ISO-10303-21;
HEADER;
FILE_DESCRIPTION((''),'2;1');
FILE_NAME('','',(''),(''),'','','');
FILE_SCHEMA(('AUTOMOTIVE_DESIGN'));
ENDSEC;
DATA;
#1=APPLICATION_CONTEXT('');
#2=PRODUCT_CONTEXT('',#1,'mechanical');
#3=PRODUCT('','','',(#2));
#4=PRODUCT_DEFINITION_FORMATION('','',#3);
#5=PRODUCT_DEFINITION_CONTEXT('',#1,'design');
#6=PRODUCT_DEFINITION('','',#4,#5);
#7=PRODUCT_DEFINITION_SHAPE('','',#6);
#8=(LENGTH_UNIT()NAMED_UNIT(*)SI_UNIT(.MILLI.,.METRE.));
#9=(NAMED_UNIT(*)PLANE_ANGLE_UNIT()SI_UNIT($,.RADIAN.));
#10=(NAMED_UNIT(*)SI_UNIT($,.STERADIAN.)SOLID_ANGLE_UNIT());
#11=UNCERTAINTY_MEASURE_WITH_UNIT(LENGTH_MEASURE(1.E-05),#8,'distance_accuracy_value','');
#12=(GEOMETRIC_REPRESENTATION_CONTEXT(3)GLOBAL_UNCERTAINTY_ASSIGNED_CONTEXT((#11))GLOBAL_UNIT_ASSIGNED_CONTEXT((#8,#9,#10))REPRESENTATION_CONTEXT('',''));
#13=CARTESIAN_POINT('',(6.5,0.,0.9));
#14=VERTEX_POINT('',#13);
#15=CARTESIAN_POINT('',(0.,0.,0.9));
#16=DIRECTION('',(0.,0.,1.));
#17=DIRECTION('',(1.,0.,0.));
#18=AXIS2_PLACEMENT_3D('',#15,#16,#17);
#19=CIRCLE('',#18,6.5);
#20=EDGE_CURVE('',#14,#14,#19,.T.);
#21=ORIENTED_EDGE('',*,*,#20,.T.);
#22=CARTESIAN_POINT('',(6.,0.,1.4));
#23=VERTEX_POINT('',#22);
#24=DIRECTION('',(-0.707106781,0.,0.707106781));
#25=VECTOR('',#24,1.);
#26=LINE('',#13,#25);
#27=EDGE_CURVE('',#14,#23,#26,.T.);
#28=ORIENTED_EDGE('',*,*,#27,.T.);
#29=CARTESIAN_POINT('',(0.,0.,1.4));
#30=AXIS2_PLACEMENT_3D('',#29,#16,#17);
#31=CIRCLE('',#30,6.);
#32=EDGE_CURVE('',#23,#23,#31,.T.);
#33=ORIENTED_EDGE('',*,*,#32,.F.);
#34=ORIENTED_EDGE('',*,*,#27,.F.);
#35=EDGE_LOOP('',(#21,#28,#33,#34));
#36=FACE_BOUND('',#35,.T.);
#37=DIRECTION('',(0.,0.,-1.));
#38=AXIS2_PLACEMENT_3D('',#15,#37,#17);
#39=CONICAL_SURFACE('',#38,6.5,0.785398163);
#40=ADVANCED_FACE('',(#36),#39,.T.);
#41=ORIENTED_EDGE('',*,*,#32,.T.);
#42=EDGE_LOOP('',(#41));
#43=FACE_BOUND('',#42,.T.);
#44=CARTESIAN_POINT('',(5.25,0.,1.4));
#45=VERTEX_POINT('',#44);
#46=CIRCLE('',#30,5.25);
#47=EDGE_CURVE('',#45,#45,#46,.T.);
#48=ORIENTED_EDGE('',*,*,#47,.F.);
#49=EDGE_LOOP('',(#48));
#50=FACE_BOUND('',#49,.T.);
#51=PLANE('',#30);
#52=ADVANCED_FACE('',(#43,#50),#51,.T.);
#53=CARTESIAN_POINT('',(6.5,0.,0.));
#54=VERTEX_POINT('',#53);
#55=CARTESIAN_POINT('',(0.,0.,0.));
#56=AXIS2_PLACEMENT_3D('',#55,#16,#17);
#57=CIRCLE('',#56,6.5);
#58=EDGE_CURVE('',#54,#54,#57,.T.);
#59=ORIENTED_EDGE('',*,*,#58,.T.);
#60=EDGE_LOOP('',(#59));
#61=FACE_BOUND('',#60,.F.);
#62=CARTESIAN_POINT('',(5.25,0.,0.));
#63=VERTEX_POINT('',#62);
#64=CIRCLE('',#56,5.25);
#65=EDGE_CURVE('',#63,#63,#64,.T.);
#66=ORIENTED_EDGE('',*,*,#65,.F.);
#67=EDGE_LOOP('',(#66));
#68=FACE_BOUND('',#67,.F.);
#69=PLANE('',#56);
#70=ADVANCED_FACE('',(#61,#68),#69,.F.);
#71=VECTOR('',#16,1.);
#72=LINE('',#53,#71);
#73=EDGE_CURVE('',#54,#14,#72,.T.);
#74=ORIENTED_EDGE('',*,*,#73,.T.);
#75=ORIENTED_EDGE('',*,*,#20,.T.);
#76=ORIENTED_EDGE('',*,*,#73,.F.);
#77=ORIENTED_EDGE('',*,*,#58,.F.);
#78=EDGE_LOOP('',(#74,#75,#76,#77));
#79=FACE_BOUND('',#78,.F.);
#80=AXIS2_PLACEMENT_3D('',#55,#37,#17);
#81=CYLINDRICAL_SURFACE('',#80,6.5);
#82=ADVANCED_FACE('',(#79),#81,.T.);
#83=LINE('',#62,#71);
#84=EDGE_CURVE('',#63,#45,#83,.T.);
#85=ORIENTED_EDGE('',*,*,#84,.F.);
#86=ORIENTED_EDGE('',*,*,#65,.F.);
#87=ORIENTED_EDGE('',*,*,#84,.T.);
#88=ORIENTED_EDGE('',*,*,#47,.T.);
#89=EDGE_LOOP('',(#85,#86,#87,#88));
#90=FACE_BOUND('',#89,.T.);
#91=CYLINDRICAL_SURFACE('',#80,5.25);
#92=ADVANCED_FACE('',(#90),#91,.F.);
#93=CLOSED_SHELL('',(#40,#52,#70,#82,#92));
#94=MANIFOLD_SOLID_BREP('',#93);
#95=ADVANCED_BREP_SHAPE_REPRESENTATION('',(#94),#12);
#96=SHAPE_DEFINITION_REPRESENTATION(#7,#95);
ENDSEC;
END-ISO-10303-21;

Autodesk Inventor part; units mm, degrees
ref_plane "YZ Plane" through (0, 0, 0) normal (1, 0, 0) x (0, 1, 0)
ref_plane "XZ Plane" through (0, 0, 0) normal (0, 1, 0) x (-1, 0, 0)
ref_plane "XY Plane" through (0, 0, 0) normal (0, 0, 1) x (1, 0, 0)
sketch "スケッチ1" plane through (0, 0, 0) normal (0, 0, 1) x (1, 0, 0)
  circle A0 centre (0, 0) radius 5.25
  circle A1 centre (0, 0) radius 6.5
  dimension "d0" = 10.5
  dimension "d1" = 13
extrude "押し出し1" add sketch "スケッチ1" along normal blind 1.4
chamfer "面取り1" distance 0.5 angle 45 1 edges at (-6.5, 0, 1.4)
properties part number "出力ピンベアリングスペーサ_底"
